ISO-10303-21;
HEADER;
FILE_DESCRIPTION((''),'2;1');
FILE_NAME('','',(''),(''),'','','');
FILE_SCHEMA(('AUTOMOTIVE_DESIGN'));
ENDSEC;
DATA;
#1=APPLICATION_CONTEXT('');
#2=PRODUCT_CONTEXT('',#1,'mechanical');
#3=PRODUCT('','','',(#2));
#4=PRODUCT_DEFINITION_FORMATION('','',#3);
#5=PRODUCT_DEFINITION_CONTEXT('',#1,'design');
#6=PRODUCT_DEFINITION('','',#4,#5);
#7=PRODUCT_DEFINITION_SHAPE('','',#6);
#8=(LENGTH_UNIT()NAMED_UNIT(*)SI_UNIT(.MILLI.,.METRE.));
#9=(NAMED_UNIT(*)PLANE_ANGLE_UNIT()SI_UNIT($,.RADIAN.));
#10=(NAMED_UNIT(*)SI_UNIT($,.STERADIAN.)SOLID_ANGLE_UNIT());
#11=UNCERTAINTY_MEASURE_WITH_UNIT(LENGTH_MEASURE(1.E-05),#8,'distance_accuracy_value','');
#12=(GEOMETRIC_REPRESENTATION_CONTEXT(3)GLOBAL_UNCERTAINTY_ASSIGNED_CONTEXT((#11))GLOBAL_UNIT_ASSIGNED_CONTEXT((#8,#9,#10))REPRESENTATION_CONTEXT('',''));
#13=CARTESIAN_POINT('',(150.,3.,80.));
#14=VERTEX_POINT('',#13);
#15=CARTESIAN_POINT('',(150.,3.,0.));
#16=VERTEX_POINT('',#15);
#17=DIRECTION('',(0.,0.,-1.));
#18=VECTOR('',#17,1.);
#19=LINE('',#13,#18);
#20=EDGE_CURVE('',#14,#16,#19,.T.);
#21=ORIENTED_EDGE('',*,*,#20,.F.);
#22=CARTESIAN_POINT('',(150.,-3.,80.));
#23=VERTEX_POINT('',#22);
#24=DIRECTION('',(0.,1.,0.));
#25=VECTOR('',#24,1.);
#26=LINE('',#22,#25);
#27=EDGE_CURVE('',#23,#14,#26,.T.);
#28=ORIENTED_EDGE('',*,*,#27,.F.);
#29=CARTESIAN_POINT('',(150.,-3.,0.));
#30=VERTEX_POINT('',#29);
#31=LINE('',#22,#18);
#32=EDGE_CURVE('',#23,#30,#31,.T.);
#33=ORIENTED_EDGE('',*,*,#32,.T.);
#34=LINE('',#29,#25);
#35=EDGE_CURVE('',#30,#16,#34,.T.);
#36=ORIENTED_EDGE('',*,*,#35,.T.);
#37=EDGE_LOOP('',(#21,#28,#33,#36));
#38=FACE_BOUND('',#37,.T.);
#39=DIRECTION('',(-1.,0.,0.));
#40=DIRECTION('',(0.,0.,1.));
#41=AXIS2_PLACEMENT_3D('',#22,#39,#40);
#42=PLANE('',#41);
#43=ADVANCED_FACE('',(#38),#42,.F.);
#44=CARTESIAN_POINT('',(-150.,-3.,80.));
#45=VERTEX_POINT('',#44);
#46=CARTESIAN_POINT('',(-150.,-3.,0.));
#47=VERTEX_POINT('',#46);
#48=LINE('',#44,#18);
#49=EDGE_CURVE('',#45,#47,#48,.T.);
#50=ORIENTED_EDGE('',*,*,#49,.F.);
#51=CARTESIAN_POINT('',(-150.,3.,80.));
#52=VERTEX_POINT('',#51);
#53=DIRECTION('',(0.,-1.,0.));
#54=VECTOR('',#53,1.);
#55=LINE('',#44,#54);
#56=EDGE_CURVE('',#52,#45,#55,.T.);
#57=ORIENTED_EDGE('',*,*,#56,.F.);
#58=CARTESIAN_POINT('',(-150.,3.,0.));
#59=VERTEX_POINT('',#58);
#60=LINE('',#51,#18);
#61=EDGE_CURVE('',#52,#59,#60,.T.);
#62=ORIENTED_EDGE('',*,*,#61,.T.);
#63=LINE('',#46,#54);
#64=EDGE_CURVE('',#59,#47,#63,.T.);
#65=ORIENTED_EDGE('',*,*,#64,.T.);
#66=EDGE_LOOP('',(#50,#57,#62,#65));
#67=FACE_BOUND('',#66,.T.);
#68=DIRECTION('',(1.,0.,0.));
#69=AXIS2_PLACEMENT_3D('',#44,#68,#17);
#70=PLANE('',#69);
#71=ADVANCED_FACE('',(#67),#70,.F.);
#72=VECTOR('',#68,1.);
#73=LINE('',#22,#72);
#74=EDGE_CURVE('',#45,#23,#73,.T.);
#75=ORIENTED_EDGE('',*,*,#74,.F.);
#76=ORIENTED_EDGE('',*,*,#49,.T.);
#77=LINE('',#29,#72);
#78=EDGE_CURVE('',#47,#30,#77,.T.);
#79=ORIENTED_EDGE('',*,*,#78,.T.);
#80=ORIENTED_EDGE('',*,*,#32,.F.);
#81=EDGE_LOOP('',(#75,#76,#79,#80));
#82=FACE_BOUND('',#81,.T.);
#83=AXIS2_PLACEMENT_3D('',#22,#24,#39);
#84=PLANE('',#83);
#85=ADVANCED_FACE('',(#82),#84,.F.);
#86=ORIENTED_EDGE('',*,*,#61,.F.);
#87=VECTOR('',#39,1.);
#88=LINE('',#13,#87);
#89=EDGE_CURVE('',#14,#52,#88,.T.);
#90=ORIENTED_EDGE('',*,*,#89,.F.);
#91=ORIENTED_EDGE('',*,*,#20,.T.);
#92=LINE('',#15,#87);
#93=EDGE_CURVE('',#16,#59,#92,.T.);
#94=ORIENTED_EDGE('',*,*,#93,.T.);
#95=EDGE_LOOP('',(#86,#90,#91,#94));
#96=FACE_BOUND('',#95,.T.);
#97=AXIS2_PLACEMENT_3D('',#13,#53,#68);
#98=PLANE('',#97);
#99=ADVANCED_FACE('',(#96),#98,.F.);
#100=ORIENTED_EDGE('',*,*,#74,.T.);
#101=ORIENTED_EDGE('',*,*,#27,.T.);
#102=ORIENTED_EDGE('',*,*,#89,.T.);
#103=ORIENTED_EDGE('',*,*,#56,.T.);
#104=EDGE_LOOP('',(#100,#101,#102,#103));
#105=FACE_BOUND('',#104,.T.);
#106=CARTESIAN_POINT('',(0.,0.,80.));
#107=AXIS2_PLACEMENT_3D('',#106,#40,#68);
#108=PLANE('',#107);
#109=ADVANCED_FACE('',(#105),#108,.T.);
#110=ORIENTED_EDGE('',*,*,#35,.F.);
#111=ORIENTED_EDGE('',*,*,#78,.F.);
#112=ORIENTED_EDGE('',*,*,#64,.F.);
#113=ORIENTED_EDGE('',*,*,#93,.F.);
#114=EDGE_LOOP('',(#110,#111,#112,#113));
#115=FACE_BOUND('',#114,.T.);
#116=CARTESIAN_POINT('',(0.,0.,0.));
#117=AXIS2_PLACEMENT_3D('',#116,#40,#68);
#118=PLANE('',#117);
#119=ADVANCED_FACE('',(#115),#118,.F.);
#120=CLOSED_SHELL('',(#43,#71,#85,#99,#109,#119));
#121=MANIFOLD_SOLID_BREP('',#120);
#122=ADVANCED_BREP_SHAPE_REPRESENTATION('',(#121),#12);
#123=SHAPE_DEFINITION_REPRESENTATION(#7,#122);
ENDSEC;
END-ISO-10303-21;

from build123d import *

# Parameters (mm, degrees)
ESQUISSE1_W        = 300
ESQUISSE1_H        = 6
BOSS_EXTRU_1_DEPTH = 80


with BuildPart() as part:
    # Esquisse1 → Boss.-Extru.1 (new body)
    with BuildSketch(Plane.XY):
        Rectangle(ESQUISSE1_W, ESQUISSE1_H)
    extrude(amount=BOSS_EXTRU_1_DEPTH)


solid = part.part
